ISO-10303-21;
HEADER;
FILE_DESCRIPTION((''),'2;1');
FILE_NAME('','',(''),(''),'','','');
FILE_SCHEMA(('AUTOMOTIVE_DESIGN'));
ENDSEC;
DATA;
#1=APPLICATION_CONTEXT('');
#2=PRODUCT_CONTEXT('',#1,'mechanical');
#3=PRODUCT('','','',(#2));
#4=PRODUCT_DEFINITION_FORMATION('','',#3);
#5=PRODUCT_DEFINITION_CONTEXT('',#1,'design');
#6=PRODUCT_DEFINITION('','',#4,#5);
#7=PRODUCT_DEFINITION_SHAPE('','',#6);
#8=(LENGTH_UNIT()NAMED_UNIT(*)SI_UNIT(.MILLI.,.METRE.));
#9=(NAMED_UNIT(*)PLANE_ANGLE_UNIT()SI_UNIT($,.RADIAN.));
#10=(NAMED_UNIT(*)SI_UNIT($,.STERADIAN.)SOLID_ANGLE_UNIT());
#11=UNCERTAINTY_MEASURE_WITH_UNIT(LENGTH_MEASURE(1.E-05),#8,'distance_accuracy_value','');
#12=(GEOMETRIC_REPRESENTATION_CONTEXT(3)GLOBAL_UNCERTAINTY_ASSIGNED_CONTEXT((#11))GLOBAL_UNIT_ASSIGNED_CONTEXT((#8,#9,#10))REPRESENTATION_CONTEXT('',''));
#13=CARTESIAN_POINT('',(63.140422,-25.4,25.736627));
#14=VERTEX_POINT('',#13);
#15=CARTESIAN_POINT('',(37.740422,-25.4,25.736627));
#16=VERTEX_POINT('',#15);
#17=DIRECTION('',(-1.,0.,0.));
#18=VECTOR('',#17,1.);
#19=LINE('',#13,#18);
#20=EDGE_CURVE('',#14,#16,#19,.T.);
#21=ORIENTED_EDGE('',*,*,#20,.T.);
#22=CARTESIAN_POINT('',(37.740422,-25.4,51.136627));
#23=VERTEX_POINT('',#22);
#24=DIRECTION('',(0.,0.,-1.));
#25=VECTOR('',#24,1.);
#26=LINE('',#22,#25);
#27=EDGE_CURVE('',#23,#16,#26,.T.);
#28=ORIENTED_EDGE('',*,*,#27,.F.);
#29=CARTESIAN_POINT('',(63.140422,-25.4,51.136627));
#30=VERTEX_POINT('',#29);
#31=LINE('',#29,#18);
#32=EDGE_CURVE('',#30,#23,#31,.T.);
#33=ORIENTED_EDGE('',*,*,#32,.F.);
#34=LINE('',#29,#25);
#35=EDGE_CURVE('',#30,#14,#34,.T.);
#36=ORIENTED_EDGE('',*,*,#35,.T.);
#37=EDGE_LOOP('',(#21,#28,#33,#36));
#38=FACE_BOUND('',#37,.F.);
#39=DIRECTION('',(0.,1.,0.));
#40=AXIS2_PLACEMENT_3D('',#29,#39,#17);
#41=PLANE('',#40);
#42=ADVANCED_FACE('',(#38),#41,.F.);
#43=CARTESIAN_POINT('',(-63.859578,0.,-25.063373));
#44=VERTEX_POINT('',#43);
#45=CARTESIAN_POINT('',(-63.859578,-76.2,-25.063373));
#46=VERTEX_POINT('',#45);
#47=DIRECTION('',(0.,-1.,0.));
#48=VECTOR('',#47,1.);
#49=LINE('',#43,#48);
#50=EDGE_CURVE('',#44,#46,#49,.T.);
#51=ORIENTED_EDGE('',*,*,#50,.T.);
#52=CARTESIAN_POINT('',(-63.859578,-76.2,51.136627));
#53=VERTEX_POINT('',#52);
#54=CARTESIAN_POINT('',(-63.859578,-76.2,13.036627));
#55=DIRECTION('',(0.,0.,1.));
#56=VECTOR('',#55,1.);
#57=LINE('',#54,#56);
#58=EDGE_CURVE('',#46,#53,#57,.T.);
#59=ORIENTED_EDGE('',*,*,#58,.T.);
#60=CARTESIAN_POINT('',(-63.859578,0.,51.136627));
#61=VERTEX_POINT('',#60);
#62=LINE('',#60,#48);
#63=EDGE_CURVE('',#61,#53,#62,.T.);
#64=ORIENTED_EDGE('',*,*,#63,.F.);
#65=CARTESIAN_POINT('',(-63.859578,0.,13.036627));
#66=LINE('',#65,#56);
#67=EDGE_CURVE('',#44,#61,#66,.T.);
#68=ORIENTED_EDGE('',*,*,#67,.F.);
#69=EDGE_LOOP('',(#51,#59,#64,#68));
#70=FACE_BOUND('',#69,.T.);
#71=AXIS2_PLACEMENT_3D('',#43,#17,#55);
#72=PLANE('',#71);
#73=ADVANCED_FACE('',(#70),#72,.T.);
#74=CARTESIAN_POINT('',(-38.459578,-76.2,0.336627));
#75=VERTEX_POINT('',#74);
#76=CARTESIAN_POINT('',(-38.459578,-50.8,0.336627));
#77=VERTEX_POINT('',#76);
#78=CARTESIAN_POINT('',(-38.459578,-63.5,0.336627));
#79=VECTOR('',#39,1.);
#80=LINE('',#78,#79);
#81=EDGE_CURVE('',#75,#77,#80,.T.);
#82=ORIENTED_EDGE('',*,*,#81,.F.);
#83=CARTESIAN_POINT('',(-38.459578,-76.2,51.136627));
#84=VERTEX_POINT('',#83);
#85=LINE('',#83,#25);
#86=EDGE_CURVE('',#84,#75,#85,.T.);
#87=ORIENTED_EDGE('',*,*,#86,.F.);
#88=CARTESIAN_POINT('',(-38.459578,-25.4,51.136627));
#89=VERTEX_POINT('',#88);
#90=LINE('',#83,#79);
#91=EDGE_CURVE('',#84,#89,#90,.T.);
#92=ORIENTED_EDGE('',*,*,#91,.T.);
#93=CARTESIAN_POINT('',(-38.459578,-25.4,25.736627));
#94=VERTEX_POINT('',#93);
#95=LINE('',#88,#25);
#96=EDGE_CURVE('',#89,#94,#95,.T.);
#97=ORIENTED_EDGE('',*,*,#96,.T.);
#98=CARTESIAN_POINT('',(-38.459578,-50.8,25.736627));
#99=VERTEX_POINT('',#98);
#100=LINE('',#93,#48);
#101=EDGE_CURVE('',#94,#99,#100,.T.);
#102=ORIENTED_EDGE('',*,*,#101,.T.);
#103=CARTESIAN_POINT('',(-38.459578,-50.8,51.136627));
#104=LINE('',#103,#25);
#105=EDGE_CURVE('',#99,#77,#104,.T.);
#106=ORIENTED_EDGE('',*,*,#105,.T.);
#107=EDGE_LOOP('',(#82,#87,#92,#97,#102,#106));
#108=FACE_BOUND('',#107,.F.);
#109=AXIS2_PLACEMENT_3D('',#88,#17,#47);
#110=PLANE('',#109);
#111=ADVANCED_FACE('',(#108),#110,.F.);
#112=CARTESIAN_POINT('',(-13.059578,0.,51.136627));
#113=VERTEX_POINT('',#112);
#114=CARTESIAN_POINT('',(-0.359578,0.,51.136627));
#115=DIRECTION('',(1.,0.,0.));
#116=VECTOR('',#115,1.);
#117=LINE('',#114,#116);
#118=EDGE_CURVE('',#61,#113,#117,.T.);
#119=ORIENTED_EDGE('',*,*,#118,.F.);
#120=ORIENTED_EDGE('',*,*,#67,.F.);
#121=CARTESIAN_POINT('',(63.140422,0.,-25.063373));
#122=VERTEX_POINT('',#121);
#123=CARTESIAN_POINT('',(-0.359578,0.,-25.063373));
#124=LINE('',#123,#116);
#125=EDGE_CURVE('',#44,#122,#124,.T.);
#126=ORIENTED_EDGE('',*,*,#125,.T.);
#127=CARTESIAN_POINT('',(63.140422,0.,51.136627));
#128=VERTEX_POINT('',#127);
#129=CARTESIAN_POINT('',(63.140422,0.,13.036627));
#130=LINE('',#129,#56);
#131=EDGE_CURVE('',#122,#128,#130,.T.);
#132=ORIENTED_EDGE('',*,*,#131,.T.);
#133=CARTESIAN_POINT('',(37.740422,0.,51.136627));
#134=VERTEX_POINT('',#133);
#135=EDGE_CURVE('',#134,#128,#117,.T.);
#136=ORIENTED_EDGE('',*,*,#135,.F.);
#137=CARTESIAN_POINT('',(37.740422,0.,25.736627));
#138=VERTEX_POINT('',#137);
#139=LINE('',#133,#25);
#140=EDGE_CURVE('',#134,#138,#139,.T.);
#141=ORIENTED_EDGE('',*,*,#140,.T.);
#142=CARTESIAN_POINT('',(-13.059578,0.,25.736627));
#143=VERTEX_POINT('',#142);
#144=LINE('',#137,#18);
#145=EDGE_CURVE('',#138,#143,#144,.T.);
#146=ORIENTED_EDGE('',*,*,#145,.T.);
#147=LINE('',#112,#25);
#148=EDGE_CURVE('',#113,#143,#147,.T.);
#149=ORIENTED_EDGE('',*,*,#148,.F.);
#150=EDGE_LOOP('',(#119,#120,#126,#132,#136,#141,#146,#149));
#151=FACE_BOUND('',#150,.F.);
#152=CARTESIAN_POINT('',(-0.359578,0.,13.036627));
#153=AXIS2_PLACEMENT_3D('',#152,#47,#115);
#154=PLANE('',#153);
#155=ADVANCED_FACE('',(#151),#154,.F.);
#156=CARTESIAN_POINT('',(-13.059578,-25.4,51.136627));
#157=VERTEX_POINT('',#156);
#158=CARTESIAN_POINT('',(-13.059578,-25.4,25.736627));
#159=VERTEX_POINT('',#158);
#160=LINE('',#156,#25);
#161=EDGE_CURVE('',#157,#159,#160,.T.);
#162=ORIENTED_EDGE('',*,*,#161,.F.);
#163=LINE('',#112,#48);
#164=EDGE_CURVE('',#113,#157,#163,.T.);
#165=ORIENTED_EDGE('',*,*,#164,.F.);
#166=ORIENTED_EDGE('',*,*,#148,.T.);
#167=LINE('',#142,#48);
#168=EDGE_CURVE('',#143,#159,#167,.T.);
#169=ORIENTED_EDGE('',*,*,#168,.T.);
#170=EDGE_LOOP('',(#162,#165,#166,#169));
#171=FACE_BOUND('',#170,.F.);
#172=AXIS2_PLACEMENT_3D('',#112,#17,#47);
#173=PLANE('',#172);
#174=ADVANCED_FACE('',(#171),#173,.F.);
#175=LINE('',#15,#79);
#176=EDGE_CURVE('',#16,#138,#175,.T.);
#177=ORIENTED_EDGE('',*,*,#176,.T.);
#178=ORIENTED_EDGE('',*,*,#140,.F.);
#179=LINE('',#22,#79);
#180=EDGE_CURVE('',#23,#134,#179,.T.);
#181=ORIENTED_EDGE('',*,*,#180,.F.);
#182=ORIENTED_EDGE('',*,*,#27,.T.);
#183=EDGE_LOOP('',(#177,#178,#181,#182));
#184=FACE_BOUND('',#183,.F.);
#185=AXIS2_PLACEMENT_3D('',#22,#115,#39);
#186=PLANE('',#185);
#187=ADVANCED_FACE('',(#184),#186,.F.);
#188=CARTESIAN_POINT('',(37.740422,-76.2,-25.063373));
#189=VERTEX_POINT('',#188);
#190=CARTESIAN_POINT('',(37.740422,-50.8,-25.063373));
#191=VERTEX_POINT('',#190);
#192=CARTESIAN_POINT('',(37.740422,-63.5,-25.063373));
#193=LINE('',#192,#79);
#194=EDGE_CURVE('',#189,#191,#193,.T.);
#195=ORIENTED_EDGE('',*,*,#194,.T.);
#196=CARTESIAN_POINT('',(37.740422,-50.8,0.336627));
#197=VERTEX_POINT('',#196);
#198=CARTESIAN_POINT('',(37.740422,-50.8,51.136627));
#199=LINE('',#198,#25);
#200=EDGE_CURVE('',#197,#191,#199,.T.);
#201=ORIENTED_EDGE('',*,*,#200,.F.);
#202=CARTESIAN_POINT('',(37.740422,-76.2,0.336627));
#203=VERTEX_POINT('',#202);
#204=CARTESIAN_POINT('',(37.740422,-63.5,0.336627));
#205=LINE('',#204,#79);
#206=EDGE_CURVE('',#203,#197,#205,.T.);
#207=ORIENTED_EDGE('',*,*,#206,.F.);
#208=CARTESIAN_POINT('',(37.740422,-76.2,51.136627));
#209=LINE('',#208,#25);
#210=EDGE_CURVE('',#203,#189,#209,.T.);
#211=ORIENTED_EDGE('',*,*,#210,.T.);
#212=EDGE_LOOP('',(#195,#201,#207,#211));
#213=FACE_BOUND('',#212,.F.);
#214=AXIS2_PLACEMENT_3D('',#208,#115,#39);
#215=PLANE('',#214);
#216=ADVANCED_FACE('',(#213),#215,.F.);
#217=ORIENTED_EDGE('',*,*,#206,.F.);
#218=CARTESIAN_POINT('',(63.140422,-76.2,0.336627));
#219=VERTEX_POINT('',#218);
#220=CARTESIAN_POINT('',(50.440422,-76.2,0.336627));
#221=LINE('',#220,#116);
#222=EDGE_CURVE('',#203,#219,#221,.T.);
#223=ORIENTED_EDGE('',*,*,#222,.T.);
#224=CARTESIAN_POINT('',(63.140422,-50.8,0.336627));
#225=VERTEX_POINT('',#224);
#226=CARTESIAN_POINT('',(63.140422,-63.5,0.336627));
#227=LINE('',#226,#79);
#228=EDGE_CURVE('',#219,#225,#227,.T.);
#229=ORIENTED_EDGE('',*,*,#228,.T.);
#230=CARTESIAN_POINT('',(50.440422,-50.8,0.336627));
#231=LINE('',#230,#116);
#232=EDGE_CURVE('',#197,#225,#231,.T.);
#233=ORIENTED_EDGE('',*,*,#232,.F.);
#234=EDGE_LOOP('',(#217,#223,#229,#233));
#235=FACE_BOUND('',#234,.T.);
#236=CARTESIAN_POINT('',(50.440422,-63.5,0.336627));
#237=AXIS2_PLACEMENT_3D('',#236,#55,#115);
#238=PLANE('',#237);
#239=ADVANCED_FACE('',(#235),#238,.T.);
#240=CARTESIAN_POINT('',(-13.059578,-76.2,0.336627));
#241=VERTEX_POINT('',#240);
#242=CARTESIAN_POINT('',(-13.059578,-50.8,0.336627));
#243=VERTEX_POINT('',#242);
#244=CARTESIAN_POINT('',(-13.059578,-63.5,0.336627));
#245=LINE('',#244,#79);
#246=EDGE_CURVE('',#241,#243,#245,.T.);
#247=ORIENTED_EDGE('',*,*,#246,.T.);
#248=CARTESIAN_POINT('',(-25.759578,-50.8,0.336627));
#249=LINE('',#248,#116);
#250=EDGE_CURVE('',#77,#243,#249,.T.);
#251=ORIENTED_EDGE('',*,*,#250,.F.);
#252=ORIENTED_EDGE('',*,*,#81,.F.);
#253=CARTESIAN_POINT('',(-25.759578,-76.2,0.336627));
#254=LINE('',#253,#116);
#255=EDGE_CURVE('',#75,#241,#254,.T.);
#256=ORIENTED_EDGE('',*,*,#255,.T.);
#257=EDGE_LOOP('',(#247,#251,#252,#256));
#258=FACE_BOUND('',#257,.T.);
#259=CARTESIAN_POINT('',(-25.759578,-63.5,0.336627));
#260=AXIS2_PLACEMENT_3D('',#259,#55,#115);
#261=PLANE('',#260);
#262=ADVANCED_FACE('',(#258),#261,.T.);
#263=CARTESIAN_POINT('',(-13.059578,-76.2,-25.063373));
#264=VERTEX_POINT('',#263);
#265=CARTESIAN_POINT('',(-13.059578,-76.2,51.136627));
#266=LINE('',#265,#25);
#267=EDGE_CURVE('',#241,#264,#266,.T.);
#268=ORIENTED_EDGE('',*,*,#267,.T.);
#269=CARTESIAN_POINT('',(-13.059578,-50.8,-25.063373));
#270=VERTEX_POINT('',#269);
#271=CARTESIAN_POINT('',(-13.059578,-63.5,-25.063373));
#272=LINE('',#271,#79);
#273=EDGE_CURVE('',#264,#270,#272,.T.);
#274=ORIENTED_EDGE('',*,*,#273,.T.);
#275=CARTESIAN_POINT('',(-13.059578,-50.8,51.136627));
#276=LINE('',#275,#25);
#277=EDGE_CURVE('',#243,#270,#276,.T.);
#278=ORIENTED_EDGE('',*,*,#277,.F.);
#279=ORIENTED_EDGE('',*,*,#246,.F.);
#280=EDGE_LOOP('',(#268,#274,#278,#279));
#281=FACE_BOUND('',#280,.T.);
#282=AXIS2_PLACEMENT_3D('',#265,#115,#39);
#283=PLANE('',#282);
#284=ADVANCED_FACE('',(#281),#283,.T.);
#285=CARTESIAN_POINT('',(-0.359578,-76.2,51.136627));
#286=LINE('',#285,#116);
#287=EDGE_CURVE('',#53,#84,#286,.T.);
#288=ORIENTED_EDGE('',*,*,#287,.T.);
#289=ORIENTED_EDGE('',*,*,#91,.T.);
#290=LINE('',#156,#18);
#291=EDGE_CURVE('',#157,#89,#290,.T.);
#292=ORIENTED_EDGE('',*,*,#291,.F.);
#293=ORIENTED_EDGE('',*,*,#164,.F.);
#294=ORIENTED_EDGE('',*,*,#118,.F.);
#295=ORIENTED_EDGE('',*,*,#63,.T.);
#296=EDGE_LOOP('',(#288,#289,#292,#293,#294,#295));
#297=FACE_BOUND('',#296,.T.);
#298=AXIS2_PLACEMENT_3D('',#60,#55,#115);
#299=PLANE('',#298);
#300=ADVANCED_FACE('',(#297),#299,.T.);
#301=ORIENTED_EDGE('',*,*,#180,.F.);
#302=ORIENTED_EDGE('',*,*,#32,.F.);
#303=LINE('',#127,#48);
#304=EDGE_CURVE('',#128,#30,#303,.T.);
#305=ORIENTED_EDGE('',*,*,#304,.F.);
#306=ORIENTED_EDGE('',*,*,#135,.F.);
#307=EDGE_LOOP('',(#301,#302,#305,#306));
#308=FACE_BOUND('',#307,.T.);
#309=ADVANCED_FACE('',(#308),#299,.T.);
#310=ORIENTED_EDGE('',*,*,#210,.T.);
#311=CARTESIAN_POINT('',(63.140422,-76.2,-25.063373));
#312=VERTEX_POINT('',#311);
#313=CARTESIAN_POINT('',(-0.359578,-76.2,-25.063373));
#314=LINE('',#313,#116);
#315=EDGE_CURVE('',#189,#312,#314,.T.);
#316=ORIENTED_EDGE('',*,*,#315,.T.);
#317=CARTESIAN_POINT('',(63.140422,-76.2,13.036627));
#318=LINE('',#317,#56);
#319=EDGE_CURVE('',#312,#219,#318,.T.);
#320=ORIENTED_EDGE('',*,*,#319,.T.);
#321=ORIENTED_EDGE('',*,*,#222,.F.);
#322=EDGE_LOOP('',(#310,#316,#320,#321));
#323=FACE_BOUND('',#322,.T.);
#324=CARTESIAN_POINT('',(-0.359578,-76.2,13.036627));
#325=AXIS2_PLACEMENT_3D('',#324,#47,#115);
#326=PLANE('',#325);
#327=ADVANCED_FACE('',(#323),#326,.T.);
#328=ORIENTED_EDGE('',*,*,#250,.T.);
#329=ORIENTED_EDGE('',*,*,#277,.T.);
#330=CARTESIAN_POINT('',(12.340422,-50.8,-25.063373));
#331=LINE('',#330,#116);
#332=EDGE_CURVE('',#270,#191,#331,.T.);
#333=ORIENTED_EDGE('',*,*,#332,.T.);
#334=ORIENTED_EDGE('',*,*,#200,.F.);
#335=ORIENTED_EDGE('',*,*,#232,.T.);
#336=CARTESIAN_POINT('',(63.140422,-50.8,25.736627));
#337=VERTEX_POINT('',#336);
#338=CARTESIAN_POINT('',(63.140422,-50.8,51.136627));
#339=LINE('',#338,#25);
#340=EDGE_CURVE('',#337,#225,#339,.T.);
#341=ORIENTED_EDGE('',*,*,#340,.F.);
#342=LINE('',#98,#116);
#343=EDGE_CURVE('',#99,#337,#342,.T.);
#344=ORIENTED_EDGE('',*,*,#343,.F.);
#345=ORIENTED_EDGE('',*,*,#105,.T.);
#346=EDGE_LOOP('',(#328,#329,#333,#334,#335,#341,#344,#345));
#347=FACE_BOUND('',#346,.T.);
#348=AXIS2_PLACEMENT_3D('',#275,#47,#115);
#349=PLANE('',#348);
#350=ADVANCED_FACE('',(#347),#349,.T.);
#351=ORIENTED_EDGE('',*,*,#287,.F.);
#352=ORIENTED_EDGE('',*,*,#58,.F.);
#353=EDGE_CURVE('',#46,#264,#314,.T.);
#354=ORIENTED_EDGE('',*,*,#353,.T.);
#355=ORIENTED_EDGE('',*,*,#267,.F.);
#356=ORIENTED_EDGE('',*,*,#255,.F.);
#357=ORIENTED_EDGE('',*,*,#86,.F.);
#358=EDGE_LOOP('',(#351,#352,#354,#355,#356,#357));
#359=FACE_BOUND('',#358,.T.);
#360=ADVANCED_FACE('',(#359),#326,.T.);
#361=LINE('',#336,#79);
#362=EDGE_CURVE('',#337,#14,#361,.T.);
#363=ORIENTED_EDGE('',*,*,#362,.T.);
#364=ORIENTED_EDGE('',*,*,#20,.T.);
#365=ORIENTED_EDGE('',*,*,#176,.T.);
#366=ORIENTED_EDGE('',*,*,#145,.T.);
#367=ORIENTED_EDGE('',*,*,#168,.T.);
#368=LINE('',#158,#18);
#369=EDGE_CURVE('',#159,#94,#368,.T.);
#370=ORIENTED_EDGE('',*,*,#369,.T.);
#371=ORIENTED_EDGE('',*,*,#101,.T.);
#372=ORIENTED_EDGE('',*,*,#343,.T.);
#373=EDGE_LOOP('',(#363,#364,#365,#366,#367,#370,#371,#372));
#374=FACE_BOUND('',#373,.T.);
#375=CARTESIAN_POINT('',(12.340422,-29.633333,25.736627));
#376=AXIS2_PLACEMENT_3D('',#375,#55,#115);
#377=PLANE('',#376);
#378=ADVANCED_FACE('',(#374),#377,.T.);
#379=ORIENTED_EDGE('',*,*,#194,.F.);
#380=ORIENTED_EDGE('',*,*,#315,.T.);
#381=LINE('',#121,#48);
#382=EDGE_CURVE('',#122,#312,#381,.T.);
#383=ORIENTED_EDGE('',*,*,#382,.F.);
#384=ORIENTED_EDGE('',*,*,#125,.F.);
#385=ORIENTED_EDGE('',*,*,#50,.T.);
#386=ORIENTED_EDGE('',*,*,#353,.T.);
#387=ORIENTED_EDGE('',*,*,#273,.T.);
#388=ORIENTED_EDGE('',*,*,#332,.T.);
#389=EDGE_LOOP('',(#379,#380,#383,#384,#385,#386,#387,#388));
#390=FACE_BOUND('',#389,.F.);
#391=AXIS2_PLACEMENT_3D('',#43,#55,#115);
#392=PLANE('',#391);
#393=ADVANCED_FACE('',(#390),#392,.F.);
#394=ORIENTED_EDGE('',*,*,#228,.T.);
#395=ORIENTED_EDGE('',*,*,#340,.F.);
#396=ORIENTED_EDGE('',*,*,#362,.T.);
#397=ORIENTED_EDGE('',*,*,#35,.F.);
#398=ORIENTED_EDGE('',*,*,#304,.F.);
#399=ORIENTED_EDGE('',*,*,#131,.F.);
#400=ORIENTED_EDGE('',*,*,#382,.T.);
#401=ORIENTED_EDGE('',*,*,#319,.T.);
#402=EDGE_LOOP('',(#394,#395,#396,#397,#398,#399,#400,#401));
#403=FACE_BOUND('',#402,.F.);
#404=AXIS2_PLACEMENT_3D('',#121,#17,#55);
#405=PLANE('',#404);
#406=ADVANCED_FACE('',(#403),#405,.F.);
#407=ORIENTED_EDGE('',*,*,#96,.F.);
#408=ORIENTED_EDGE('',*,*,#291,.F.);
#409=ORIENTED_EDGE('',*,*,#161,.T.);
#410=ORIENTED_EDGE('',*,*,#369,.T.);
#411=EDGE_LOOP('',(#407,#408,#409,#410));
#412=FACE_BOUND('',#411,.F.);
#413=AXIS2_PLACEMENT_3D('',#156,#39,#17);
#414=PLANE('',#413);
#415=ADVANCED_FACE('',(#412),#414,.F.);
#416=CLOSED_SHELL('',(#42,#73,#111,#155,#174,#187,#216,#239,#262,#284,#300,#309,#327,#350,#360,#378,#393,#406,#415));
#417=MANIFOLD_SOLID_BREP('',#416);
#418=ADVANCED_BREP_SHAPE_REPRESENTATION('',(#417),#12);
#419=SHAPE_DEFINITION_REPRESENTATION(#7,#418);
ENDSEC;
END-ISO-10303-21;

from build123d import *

# Parameters (mm, degrees)
F0_W     = 127
F0_H     = 76.2
F1_DEPTH = 76.2
F2_W     = 50.8
F2_H     = 25.4
F3_DEPTH = 76.2
F2_W_2   = 25.4
F4_DEPTH = 50.8
F5_DEPTH = 25.4


with BuildPart() as f1:
    # F0 (on Front) → F1 (new body)
    with BuildSketch(Plane.XZ):
        with Locations((-0.359578, 13.036627)):
            Rectangle(F0_W, F0_H)
    extrude(amount=F1_DEPTH)

    # F2 (on face) → F3 (cut)
    with BuildSketch(Plane.XY.offset(51.136627)):
        with Locations((12.340422, -63.5)):
            Rectangle(F2_W, F2_H)
    extrude(amount=-F3_DEPTH, mode=Mode.SUBTRACT)

    # F2 (on face) → F4 (cut)
    with BuildSketch(Plane.XY.offset(51.136627)):
        with Locations((-25.759578, -63.5)):
            Rectangle(F2_W_2, F2_H)
        with Locations((50.440422, -63.5)):
            Rectangle(F2_W_2, F2_H)
    extrude(amount=-F4_DEPTH, mode=Mode.SUBTRACT)

    # F2 (on face) → F5 (cut)
    with BuildSketch(Plane.XY.offset(51.136627)):
        Polygon((37.740422, -25.4), (37.740422, 0), (-13.059578, 0), (-13.059578, -25.4), (-38.459578, -25.4), (-38.459578, -50.8), (-13.059578, -50.8), (37.740422, -50.8), (63.140422, -50.8), (63.140422, -25.4), align=None)
    extrude(amount=-F5_DEPTH, mode=Mode.SUBTRACT)


solid = f1.part
